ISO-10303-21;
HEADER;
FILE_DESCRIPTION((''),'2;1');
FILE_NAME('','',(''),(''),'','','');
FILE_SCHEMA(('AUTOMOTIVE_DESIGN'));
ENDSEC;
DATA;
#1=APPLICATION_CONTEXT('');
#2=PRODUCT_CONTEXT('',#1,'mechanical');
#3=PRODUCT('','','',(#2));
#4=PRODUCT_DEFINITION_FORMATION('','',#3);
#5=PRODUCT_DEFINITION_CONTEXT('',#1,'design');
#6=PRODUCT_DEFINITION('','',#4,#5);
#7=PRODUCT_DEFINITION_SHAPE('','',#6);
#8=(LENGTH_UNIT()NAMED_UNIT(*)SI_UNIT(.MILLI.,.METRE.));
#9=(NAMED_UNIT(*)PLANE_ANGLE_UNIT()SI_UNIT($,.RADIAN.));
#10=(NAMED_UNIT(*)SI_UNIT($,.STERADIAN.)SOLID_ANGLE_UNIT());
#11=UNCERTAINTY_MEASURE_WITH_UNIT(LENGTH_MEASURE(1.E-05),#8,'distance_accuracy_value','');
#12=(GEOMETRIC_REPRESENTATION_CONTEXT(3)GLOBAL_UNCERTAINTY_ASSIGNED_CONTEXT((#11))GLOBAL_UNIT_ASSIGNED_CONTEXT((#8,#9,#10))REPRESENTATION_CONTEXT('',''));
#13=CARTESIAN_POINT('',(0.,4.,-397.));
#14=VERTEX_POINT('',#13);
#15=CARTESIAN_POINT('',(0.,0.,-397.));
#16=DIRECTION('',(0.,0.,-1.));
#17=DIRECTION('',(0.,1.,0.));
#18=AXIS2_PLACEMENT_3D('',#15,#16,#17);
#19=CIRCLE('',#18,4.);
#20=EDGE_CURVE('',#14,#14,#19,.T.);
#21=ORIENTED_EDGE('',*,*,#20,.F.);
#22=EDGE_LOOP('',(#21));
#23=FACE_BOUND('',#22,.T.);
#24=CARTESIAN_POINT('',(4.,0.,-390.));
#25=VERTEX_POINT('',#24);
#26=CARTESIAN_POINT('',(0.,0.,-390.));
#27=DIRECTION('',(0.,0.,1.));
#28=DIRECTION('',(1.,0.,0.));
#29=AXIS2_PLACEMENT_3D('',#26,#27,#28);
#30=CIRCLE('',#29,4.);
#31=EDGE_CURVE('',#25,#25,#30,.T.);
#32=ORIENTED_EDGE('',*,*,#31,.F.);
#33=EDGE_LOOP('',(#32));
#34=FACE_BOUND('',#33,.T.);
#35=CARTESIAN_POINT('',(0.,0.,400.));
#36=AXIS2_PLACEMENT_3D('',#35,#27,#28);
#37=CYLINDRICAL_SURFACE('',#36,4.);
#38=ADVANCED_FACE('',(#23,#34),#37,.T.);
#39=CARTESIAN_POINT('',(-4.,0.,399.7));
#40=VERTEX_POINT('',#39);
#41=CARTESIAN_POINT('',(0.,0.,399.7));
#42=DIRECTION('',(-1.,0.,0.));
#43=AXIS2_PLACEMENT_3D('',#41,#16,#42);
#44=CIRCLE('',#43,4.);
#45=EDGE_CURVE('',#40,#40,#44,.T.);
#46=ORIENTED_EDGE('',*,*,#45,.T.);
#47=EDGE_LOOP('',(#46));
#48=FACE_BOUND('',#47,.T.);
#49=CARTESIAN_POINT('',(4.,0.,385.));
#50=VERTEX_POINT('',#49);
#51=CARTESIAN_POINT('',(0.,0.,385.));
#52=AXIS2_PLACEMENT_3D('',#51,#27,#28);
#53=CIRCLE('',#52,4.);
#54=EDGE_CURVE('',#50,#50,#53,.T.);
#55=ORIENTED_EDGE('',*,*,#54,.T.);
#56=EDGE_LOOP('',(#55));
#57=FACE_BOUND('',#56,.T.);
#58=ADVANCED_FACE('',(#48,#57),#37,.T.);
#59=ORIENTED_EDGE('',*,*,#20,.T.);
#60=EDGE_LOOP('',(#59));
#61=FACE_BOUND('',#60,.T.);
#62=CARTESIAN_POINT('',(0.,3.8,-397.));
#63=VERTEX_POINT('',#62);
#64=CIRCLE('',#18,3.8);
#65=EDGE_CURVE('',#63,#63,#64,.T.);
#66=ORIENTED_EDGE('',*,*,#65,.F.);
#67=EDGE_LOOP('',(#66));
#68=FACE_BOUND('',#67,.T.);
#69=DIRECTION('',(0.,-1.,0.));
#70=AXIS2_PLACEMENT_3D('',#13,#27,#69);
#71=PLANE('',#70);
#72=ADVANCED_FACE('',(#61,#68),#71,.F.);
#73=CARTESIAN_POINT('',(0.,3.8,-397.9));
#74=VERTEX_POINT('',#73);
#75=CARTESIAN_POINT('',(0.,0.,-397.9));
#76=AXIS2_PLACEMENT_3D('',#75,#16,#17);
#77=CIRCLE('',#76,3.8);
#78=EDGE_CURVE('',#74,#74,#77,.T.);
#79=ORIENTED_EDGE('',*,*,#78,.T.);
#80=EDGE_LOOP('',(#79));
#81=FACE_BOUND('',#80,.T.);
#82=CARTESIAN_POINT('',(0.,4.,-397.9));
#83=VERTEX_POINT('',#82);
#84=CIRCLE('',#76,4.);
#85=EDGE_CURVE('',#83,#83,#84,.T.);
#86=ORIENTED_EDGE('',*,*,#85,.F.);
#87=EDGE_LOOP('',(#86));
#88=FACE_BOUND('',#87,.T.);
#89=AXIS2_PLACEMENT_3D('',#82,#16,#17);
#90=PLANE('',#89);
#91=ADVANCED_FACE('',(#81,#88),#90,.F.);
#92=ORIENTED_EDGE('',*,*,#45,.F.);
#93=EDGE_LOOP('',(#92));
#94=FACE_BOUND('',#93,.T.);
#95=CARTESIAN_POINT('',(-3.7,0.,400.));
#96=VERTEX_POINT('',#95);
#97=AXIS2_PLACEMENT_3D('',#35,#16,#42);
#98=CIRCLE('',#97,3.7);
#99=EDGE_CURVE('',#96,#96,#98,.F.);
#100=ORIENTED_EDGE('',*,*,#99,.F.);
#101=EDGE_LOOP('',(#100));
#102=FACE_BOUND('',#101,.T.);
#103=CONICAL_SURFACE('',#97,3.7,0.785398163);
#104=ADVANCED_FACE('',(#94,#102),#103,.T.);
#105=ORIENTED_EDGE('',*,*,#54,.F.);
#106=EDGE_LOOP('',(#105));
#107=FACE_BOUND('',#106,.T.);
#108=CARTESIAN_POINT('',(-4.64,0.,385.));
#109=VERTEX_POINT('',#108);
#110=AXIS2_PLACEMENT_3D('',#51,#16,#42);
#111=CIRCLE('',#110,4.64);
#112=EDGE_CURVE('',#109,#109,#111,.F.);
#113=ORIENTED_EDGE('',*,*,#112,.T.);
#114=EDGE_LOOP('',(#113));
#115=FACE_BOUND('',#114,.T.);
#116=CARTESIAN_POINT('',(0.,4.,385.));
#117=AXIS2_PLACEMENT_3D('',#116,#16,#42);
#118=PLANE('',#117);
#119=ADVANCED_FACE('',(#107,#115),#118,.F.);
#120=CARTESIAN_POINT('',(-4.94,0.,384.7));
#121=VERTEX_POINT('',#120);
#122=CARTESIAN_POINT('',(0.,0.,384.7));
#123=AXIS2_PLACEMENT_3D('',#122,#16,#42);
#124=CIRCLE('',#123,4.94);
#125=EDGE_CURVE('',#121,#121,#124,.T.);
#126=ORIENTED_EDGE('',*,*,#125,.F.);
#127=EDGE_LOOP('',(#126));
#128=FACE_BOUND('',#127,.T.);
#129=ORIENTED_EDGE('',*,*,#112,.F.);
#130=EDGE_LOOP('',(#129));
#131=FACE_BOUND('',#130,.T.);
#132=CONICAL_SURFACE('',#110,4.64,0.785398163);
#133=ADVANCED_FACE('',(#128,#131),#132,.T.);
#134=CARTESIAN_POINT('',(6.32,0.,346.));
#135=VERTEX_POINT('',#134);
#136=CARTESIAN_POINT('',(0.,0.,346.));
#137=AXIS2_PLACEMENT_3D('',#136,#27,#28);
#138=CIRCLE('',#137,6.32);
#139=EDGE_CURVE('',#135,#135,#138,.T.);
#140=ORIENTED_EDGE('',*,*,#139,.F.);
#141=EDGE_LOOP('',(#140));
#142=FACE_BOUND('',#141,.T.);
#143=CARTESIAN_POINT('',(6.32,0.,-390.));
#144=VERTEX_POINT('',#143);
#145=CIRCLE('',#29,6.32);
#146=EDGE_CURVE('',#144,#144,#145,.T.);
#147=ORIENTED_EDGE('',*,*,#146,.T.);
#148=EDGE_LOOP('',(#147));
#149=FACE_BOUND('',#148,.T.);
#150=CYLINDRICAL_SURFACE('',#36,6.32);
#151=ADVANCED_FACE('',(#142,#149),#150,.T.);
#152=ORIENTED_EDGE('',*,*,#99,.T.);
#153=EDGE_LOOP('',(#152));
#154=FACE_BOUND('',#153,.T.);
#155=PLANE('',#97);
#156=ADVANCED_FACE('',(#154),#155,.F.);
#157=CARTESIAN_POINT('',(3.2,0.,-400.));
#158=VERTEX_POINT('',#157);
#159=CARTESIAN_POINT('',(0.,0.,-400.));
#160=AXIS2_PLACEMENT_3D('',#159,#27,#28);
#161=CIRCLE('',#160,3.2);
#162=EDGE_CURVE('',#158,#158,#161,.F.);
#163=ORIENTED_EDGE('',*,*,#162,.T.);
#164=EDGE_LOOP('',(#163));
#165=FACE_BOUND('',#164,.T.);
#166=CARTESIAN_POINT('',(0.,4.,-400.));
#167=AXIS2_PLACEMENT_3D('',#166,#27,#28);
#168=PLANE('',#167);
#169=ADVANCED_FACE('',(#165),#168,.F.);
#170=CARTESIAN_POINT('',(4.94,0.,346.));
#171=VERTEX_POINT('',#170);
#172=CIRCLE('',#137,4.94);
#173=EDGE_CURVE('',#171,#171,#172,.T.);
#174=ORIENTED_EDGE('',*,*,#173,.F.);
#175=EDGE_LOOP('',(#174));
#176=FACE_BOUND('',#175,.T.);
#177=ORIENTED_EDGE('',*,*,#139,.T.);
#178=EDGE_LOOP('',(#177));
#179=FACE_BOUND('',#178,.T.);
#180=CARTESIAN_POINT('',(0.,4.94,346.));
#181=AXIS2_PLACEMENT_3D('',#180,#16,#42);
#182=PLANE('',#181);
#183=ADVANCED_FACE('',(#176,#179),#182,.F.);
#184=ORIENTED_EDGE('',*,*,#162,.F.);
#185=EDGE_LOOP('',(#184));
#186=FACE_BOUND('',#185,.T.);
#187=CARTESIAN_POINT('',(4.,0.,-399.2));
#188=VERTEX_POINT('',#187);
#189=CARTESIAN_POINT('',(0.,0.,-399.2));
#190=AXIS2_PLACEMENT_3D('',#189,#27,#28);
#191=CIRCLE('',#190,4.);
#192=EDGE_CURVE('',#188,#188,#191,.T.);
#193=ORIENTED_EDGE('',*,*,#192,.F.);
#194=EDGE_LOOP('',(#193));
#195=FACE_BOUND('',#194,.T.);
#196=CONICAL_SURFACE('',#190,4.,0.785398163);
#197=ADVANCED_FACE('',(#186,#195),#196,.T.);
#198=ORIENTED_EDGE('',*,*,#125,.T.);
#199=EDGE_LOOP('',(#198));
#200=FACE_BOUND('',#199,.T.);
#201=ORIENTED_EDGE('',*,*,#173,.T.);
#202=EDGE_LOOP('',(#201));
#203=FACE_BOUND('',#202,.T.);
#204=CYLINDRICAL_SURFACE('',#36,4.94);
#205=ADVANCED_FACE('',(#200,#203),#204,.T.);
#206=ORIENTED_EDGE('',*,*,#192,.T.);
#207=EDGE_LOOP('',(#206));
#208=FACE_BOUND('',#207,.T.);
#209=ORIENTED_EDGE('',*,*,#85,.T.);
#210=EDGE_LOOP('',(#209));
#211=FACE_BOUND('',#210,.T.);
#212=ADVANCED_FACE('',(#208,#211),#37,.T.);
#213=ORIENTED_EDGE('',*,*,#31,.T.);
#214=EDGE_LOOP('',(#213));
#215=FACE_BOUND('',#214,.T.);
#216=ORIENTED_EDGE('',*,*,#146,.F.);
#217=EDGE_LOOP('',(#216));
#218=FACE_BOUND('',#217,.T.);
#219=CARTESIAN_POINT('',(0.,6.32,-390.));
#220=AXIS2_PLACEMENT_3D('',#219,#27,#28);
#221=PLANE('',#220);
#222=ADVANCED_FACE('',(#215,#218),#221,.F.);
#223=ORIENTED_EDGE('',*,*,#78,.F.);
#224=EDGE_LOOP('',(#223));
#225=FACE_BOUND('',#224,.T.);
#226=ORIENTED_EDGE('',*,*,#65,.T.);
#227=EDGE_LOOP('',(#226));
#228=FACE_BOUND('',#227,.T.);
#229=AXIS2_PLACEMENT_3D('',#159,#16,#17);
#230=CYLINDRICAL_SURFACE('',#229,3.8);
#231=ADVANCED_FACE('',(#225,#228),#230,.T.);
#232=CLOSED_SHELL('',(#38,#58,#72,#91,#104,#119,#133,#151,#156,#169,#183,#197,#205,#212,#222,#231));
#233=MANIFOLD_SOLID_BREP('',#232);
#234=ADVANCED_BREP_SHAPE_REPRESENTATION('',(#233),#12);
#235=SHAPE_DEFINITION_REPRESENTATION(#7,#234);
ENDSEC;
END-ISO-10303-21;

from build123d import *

# Parameters (mm, degrees)
SKETCH2_W     = 0.9
SKETCH2_H     = 0.2
CHAMFER1_SIZE = 0.8
CHAMFER2_SIZE = 0.3


with BuildPart() as part:
    # Sketch1 → Revolve1 (revolve)
    with BuildSketch(Plane(origin=(0, 0, 0), x_dir=(0, 0, -1), z_dir=(1, 0, 0))):
        Polygon((-400, 0), (400, 0), (400, 4), (390, 4), (390, 6.32), (-346, 6.32), (-346, 4.94), (-385, 4.94), (-385, 4), (-400, 4), align=None)
    revolve(axis=Axis((0, 0, 400), (0, 0, -1)))

    # Sketch2 → Cut-Revolve1 (revolve, cut)
    with BuildSketch(Plane(origin=(0, 0, 0), x_dir=(0, 0, -1), z_dir=(1, 0, 0))):
        with Locations((397.45, 3.9)):
            Rectangle(SKETCH2_W, SKETCH2_H)
    revolve(axis=Axis((0, 0, -400), (0, 0, 1)), mode=Mode.SUBTRACT)

    # Chamfer1
    chamfer1_edges = [part.edges().sort_by_distance(p)[0] for p in [
        (0, -4, -400),
    ]]
    chamfer(chamfer1_edges, length=CHAMFER1_SIZE)

    # Chamfer2
    chamfer2_edges = [part.edges().sort_by_distance(p)[0] for p in [
        (0, -4.94, 385),
        (0, -4, 400),
    ]]
    chamfer(chamfer2_edges, length=CHAMFER2_SIZE)


solid = part.part
